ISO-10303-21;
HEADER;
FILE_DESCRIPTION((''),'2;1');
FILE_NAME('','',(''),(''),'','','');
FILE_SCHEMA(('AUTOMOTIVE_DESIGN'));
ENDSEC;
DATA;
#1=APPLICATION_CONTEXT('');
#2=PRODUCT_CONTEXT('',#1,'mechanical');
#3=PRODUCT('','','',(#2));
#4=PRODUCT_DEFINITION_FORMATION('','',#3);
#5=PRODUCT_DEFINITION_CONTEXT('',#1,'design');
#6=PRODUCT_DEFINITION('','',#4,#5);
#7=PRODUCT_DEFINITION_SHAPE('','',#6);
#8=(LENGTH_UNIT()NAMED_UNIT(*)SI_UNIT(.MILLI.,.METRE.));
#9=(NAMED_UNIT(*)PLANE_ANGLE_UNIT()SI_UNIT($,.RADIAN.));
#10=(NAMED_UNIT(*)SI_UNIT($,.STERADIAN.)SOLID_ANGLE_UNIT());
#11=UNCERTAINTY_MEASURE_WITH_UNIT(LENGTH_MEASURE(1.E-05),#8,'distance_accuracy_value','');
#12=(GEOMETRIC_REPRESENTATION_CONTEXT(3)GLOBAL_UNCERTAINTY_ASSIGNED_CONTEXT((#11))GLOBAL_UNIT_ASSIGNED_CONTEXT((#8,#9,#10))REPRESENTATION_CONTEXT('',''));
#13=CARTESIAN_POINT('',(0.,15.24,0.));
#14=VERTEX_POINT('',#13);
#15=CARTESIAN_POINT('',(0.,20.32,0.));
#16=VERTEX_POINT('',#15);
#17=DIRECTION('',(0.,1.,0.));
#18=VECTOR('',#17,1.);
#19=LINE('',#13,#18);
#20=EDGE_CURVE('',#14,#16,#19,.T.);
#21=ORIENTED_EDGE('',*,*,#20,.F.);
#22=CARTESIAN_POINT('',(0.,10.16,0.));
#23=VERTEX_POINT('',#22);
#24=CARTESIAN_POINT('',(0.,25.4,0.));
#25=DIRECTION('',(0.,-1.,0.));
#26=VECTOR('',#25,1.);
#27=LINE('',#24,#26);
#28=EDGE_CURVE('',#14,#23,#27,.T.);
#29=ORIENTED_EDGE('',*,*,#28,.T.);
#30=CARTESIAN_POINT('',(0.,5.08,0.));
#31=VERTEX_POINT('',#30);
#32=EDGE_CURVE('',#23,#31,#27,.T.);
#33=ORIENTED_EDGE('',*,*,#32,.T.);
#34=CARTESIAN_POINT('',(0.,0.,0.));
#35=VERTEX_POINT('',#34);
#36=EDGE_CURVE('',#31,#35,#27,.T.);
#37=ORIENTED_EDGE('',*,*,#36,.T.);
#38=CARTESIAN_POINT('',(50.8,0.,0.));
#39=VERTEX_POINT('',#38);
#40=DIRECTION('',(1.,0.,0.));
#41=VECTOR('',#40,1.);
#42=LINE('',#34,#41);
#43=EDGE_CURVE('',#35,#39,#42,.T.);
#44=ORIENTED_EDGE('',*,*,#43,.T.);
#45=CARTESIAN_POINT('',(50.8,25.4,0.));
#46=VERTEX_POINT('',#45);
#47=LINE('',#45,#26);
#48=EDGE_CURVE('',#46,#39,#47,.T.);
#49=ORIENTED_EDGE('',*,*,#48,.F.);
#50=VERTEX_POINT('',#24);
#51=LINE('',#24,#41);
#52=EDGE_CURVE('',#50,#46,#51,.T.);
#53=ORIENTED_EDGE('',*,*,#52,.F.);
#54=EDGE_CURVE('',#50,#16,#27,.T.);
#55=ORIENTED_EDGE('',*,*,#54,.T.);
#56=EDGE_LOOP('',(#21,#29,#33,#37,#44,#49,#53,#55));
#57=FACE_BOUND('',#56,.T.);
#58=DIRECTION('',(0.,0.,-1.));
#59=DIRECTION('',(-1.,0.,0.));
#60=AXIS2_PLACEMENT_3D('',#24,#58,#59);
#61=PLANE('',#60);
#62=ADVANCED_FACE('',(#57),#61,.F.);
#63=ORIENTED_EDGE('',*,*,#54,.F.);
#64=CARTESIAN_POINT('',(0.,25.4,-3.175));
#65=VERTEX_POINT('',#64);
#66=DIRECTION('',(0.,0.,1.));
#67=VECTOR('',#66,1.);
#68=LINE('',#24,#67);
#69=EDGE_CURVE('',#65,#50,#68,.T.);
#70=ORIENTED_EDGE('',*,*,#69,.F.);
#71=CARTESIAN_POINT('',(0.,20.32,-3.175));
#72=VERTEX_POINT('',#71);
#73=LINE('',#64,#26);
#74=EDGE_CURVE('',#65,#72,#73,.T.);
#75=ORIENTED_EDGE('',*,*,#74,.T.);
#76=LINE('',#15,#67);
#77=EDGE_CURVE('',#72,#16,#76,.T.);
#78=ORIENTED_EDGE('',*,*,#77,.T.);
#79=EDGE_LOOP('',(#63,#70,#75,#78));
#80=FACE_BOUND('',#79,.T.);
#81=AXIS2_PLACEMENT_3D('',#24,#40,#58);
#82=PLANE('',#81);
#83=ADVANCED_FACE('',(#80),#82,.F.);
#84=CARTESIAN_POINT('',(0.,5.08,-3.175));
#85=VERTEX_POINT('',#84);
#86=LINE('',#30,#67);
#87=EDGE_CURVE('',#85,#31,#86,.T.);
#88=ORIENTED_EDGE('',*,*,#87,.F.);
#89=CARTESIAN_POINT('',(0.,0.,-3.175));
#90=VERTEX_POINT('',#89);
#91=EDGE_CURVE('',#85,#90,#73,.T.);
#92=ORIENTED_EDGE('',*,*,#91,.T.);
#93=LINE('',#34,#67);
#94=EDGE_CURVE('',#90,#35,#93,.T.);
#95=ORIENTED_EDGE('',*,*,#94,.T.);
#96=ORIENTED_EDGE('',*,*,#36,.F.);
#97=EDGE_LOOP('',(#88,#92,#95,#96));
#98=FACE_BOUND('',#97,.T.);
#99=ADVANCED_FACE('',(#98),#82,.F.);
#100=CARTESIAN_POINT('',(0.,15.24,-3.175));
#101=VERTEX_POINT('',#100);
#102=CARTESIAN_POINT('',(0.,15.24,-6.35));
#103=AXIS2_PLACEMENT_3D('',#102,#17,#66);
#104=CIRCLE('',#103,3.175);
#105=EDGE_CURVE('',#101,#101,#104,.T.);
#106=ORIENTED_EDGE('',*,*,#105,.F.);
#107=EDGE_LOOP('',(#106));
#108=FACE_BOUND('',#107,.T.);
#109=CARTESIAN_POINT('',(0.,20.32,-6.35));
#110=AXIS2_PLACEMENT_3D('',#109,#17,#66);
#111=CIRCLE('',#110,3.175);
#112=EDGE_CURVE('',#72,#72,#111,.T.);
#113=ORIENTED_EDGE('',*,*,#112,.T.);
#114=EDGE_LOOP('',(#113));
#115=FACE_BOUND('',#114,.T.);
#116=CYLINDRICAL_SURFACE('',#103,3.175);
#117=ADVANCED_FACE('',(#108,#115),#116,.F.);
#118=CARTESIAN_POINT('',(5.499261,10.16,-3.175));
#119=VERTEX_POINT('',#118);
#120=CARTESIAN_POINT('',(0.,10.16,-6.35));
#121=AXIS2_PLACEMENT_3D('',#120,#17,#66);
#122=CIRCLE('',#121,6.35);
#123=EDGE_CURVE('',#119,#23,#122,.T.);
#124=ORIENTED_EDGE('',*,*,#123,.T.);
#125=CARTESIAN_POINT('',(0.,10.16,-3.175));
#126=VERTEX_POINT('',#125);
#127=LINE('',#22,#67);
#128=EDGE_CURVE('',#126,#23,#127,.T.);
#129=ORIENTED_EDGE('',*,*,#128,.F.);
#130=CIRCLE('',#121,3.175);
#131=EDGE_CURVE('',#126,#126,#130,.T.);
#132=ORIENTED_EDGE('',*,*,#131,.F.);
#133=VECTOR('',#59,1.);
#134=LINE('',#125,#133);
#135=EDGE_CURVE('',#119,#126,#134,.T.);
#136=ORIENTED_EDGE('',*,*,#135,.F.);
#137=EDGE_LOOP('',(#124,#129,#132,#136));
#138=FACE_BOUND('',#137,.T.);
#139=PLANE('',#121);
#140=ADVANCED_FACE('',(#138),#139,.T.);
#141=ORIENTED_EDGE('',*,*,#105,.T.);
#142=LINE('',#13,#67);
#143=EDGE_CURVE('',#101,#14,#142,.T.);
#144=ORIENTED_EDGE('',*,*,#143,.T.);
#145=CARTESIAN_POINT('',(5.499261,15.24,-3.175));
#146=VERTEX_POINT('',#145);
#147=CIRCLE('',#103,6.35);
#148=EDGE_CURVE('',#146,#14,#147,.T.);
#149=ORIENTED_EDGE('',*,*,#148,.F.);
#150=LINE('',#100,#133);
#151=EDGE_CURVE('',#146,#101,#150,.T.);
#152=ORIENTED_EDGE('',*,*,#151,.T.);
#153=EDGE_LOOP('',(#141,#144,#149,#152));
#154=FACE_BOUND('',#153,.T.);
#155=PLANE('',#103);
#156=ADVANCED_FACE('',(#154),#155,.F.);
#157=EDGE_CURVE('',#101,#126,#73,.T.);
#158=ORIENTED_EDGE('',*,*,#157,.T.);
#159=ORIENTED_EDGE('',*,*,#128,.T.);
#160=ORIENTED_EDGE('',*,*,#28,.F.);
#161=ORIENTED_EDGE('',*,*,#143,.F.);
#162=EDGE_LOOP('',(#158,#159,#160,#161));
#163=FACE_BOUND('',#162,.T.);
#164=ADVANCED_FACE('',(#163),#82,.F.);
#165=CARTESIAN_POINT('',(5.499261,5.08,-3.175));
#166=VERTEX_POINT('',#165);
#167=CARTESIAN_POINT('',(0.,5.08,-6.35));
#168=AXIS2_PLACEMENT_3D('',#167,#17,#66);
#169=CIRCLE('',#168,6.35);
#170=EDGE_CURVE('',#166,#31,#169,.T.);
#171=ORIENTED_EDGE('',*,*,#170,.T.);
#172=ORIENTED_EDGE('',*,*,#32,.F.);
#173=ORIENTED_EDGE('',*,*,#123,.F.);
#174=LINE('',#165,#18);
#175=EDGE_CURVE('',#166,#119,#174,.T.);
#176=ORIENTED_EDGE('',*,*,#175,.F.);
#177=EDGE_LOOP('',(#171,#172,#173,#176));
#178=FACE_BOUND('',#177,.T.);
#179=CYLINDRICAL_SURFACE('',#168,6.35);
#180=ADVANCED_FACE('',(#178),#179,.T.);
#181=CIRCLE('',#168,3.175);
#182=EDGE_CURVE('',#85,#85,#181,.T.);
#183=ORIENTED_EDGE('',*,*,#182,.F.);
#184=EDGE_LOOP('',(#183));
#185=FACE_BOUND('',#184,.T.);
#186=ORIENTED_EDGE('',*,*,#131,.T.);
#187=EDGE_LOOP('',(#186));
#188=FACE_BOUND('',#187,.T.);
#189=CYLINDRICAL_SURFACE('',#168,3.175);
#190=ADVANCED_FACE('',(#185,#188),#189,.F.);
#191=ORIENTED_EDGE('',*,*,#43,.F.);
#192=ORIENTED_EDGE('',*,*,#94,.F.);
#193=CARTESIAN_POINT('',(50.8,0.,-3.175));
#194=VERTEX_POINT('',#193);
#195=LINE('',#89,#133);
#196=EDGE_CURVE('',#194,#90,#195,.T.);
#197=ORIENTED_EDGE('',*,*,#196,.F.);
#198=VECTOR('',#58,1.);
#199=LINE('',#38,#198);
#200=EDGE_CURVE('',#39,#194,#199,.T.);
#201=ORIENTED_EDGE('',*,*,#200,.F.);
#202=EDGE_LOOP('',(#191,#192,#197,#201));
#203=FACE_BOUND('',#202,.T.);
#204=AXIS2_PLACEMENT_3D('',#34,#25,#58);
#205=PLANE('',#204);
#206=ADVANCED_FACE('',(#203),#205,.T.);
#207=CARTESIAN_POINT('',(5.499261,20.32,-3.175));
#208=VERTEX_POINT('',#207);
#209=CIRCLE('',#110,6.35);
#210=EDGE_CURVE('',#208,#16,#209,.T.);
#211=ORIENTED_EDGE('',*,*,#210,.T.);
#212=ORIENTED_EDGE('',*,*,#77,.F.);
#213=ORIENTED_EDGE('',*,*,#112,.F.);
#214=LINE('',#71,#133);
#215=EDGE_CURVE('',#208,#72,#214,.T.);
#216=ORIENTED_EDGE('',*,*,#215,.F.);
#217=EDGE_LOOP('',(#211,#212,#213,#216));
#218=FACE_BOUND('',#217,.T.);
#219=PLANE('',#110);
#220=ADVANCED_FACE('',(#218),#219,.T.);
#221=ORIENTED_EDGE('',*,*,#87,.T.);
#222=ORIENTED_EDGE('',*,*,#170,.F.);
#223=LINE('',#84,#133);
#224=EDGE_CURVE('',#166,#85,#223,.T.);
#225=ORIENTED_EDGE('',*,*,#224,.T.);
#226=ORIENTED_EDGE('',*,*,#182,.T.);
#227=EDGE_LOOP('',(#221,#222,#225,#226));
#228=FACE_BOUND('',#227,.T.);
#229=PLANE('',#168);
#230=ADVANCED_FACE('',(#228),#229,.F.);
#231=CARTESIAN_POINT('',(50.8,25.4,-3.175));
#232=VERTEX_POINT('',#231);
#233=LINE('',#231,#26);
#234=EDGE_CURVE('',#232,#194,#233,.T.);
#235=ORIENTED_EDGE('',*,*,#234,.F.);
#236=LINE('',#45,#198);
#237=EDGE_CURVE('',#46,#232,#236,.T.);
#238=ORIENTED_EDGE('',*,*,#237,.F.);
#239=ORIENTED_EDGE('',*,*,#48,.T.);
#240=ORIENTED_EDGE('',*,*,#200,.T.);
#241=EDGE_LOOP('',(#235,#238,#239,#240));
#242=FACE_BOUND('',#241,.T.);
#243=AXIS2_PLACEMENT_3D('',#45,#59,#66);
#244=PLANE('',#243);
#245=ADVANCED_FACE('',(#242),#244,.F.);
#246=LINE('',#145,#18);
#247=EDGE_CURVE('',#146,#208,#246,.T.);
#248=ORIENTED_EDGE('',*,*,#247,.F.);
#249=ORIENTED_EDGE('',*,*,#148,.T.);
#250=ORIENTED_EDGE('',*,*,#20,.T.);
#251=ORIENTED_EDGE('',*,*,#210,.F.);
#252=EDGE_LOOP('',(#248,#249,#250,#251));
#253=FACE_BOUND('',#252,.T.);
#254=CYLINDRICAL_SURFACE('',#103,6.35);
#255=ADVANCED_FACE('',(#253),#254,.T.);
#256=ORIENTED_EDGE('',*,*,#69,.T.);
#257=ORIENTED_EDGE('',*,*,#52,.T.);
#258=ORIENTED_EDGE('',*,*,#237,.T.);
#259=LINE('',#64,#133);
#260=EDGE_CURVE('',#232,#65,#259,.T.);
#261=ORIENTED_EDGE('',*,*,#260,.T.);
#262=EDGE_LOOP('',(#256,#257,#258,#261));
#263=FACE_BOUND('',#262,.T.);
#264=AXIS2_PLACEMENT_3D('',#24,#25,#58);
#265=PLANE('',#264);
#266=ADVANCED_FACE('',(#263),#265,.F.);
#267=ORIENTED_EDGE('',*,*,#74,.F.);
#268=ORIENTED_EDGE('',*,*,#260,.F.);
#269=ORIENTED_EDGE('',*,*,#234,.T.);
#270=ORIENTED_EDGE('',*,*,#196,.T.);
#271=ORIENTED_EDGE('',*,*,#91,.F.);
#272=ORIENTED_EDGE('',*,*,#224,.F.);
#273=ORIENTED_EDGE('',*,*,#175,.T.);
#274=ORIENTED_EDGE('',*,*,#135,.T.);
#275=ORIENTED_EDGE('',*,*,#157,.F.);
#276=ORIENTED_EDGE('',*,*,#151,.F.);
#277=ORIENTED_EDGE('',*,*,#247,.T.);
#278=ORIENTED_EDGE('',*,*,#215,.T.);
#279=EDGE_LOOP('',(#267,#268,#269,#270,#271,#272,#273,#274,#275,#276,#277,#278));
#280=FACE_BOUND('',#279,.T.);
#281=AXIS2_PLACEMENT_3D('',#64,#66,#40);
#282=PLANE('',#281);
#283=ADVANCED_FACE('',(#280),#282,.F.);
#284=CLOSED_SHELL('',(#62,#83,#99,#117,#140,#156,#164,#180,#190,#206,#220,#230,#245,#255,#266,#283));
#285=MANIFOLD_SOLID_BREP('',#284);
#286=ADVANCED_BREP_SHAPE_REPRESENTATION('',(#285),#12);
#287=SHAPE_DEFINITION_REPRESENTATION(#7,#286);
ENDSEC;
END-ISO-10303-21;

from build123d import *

# Parameters (mm, degrees)
SKETCH1_W           = 50.8
SKETCH1_H           = 3.175
BOSS_EXTRUDE1_DEPTH = 25.4
SKETCH2_R           = 6.35
SKETCH2_R_2         = 3.175
BOSS_EXTRUDE2_DEPTH = 5.08
LPATTERN1_COUNT     = 2
LPATTERN1_PITCH     = 10.16


with BuildPart() as part:
    # Sketch1 → Boss-Extrude1 (new body)
    with BuildSketch(Plane(origin=(0, 0, 0), x_dir=(1, 0, 0), z_dir=(0, 1, 0))):
        with Locations((25.4, 1.5875)):
            Rectangle(SKETCH1_W, SKETCH1_H)
    extrude(amount=BOSS_EXTRUDE1_DEPTH)

    # Sketch2 → Boss-Extrude2 (add)
    with BuildSketch(Plane(origin=(0, 20.32, 0), x_dir=(1, 0, 0), z_dir=(0, 1, 0))):
        with Locations((0, 6.35)):
            Circle(SKETCH2_R)
        with Locations(Location((0, 6.35, 0), (0, 0, 270))):
            Circle(SKETCH2_R_2, mode=Mode.SUBTRACT)
    boss_extrude2 = extrude(amount=-BOSS_EXTRUDE2_DEPTH)

    # LPattern1: Boss-Extrude2 ×2
    with Locations(*[(0, -i * LPATTERN1_PITCH, 0) for i in range(1, LPATTERN1_COUNT)]):
        add(boss_extrude2)


solid = part.part
